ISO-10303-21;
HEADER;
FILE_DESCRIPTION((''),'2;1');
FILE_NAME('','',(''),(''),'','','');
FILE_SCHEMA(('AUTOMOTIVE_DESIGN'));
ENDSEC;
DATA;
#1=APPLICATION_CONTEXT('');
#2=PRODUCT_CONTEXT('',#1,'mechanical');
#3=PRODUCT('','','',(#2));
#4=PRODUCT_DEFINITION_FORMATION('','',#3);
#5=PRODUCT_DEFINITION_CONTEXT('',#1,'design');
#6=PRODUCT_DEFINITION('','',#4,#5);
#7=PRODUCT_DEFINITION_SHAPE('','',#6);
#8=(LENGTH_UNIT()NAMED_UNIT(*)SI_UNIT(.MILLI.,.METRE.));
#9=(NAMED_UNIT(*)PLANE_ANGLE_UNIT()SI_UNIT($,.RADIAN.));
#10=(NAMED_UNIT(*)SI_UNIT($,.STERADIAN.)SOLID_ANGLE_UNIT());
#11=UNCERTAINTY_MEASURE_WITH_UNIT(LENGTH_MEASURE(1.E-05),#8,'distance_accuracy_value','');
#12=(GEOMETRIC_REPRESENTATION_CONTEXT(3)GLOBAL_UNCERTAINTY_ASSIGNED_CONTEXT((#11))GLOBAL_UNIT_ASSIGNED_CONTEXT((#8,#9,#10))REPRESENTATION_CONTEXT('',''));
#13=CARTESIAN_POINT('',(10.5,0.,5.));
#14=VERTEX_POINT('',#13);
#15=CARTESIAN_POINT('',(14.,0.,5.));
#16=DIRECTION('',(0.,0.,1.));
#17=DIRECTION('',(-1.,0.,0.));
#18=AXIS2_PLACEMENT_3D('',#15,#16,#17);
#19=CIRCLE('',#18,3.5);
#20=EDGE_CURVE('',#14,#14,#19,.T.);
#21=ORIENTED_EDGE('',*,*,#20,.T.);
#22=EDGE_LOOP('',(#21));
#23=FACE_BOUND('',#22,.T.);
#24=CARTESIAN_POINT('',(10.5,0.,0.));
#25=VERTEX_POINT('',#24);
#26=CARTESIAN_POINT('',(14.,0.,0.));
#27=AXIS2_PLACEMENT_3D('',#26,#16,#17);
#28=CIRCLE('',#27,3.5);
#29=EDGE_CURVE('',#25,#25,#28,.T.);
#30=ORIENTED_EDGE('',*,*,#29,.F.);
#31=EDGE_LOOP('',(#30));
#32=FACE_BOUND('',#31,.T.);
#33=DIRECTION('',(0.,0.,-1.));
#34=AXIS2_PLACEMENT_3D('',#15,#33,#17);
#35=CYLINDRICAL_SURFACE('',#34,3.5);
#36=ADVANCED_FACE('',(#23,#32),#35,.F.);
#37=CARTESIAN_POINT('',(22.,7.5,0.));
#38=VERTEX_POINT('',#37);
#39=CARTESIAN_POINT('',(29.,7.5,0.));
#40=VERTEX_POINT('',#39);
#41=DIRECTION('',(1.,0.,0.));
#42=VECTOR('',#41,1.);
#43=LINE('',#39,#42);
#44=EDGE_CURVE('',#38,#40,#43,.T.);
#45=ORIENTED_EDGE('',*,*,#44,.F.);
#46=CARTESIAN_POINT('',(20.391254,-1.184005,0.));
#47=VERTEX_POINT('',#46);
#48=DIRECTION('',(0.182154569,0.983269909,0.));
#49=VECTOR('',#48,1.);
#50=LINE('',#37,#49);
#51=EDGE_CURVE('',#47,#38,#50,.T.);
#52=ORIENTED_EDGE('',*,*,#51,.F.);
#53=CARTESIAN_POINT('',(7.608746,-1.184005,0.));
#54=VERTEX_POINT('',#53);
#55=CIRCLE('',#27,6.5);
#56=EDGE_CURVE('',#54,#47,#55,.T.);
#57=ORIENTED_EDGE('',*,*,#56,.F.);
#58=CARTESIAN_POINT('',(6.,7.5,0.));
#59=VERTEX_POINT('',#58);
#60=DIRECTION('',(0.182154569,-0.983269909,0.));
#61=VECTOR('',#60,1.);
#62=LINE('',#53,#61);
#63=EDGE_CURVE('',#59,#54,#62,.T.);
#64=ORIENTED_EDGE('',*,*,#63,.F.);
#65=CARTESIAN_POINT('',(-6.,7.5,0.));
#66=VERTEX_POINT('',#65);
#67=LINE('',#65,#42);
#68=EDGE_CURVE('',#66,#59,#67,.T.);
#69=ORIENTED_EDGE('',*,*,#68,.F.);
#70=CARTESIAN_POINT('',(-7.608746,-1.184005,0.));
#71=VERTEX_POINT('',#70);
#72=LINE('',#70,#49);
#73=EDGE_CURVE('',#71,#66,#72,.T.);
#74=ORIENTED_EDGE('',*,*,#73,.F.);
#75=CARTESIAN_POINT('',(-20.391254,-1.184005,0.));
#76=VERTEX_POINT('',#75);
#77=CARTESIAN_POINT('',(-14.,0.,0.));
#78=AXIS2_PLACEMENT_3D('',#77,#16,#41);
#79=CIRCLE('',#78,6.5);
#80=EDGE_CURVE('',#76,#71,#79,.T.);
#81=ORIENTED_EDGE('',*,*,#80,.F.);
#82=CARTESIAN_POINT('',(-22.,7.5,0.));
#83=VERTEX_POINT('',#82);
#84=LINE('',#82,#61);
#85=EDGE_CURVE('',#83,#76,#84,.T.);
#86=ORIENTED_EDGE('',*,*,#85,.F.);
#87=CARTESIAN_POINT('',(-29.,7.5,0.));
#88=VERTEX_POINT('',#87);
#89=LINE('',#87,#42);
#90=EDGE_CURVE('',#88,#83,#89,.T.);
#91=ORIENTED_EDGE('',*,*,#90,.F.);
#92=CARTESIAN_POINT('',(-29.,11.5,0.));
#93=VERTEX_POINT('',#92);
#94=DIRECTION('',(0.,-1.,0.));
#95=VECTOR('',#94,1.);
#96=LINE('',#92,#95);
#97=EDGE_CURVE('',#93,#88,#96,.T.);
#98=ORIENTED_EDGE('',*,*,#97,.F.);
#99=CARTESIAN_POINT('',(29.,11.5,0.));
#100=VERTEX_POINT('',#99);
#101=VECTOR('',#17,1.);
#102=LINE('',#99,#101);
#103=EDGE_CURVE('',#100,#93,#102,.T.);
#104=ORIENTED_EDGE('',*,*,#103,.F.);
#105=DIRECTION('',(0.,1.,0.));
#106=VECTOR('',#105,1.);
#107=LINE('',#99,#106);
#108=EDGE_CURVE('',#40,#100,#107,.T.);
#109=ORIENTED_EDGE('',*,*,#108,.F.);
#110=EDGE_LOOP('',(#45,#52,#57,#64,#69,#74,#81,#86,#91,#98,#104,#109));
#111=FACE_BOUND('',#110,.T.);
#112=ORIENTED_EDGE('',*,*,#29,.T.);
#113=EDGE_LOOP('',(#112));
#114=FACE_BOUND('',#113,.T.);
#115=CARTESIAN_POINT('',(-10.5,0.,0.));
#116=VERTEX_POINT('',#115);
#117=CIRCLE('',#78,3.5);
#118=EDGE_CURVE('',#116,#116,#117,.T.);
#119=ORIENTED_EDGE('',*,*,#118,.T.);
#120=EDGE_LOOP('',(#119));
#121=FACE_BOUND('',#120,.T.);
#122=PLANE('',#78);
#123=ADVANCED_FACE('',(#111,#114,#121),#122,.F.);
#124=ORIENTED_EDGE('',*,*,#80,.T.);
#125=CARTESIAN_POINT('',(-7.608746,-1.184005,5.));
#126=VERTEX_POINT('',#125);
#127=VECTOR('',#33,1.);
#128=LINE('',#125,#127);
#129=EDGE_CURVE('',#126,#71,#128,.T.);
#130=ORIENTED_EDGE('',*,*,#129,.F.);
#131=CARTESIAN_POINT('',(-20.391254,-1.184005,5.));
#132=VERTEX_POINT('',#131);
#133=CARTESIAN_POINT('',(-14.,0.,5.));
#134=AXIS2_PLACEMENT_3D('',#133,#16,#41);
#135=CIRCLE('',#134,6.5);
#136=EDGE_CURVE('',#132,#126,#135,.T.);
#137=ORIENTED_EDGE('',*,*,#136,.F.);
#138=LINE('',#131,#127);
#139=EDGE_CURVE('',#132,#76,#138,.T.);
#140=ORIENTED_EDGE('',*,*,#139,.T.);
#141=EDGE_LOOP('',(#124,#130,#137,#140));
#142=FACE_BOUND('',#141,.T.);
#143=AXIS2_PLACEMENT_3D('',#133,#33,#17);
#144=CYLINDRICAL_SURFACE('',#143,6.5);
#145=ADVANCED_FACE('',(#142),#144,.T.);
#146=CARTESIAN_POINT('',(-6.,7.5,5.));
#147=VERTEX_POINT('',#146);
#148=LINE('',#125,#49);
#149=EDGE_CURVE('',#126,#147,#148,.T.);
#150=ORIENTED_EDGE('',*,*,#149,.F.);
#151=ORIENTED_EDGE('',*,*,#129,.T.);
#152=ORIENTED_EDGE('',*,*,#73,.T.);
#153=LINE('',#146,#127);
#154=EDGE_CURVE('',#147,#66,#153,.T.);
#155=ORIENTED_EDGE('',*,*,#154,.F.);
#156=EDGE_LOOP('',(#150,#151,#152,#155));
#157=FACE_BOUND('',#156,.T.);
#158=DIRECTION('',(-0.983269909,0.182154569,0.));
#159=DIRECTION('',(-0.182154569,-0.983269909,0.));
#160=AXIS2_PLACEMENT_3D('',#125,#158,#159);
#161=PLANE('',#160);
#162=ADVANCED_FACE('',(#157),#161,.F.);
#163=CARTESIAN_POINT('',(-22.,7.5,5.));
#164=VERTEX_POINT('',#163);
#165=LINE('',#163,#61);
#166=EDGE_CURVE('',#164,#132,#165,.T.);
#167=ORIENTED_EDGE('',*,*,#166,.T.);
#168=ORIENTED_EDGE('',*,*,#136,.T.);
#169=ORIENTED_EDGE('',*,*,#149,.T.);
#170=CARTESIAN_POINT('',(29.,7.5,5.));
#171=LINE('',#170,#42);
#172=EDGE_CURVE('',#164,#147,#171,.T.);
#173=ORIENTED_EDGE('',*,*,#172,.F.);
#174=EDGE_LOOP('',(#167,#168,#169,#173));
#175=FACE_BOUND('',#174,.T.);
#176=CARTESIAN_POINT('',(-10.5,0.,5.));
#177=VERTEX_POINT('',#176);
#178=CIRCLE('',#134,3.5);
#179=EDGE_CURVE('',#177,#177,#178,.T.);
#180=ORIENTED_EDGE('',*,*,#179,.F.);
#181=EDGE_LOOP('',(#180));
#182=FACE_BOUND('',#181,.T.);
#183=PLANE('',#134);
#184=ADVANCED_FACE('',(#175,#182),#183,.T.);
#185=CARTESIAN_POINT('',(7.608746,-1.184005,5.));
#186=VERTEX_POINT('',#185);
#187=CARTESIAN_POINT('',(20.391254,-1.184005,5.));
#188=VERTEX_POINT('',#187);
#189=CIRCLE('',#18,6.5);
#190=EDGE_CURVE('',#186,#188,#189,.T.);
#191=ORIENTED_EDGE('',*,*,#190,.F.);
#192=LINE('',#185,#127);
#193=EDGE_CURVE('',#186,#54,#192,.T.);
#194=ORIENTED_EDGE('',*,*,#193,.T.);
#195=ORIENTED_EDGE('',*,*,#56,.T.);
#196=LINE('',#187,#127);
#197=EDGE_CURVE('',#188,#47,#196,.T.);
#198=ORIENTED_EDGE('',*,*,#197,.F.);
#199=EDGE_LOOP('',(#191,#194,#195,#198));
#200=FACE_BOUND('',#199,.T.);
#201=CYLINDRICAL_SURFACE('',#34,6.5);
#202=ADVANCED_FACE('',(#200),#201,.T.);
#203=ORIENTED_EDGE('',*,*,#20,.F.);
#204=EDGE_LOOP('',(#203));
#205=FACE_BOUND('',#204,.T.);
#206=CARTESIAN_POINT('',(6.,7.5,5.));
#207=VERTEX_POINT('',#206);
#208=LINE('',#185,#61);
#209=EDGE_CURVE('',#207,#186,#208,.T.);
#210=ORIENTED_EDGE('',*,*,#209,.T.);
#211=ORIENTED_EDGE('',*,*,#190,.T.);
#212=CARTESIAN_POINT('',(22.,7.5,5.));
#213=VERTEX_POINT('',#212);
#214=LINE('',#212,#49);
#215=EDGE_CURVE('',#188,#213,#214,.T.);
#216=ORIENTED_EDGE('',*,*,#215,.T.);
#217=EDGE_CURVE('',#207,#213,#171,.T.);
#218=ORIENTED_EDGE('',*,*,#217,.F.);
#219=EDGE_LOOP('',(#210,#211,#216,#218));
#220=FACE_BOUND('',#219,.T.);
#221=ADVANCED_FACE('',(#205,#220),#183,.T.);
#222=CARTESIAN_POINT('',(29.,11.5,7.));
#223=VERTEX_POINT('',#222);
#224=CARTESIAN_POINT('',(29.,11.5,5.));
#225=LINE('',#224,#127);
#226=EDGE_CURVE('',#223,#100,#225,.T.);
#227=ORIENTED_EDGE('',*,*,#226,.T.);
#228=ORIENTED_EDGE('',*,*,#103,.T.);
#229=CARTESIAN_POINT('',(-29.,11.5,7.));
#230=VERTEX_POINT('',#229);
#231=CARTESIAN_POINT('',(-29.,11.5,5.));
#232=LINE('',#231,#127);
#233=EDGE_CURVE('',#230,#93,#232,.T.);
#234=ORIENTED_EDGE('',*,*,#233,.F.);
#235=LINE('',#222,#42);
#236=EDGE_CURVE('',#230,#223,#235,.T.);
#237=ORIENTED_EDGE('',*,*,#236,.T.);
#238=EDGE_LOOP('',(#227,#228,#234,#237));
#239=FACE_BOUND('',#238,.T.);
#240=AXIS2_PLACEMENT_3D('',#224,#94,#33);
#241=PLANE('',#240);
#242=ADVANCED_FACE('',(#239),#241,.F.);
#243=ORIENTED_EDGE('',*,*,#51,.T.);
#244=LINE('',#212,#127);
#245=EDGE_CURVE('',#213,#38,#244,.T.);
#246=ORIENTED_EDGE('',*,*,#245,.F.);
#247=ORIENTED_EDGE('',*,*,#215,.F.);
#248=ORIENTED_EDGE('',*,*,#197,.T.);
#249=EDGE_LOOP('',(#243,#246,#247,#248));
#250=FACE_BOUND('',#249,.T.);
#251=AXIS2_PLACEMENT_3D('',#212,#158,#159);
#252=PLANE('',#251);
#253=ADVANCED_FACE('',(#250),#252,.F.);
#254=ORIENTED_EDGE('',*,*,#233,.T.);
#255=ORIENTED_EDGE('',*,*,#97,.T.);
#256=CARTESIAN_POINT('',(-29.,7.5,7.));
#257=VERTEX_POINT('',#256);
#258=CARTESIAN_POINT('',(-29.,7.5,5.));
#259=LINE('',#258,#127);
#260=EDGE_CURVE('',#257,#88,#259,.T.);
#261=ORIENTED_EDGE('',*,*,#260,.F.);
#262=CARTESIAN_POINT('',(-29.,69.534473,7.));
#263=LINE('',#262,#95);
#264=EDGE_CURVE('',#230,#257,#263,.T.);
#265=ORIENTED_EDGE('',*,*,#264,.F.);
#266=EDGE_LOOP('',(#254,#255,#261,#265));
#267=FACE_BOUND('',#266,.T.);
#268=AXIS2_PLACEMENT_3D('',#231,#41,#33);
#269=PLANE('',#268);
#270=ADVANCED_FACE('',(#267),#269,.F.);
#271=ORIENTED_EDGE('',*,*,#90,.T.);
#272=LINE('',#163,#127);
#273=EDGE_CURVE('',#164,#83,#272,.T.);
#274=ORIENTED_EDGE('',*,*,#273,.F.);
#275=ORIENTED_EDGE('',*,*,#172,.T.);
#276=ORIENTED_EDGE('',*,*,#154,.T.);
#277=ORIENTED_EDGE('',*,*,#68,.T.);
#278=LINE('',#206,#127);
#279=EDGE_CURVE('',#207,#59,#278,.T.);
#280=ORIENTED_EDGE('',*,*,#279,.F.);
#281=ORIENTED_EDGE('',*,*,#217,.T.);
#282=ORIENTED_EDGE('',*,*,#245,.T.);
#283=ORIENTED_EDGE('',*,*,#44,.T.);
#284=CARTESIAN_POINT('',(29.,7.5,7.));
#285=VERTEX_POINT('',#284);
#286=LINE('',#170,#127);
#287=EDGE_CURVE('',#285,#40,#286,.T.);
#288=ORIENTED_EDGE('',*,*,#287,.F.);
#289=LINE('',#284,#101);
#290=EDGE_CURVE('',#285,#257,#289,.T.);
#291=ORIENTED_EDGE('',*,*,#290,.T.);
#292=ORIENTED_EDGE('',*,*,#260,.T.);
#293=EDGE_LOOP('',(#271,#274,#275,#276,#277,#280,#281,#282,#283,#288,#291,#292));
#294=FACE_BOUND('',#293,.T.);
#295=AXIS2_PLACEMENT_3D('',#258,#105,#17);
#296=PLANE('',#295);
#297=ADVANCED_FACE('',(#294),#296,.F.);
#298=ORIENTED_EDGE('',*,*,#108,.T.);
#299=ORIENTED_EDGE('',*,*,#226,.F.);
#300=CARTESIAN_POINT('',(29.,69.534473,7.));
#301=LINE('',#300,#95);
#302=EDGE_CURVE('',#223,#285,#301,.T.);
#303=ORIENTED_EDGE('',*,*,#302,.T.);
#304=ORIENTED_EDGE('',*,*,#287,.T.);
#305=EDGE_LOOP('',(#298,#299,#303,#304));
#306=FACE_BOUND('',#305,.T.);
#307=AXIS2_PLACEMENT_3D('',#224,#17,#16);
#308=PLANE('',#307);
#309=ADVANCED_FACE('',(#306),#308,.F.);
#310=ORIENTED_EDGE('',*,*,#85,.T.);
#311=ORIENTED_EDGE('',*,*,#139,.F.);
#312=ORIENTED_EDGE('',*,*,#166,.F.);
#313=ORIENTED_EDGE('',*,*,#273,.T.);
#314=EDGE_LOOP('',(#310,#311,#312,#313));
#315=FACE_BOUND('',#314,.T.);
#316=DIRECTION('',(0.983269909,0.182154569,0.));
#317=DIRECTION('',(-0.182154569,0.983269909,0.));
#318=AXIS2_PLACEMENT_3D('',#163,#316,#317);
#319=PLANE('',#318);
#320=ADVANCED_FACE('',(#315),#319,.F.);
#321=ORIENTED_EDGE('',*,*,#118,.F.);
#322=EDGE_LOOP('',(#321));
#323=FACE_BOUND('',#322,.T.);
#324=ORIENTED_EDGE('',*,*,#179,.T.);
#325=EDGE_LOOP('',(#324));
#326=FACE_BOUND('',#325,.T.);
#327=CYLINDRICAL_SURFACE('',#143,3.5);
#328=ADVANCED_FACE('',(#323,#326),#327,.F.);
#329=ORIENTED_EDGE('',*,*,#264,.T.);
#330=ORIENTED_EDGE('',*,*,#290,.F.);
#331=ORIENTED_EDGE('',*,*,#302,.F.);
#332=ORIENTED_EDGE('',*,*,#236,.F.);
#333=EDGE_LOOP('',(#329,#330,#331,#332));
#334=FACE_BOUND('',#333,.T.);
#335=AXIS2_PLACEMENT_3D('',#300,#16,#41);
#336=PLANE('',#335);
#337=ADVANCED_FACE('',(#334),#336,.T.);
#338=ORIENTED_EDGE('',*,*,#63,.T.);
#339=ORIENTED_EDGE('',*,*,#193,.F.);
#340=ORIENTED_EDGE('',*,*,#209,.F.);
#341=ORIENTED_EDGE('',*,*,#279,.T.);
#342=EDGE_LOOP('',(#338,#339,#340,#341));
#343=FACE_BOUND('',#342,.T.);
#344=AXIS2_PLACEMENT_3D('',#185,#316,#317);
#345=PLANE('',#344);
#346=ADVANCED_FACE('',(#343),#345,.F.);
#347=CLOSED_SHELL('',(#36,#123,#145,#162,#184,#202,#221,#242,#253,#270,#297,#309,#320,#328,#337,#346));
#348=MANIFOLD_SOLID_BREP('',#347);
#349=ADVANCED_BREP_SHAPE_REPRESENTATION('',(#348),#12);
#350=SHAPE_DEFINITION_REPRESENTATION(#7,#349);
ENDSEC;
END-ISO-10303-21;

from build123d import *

# Parameters (mm, degrees)
SKETCH_1_R      = 3.5
EXTRUDE_1_DEPTH = 5
SKETCH_2_W      = 58
SKETCH_2_H      = 2
EXTRUDE_2_DEPTH = 4


with BuildPart() as part:
    # 草图1 → 凸台-拉伸1 (new body)
    with BuildSketch(Plane.XY):
        with BuildLine():
            Line((-7.608745595, -1.184004699), (-6, 7.5))
            Line((-6, 7.5), (6, 7.5))
            Line((6, 7.5), (7.608745595, -1.184004699))
            ThreePointArc((7.608745595, -1.184004699), (14, -6.5), (20.391254405, -1.184004699))
            Line((20.391254405, -1.184004699), (22, 7.5))
            Line((22, 7.5), (29, 7.5))
            Line((29, 7.5), (29, 11.5))
            Line((29, 11.5), (-29, 11.5))
            Line((-29, 11.5), (-29, 7.5))
            Line((-29, 7.5), (-22, 7.5))
            Line((-22, 7.5), (-20.391254405, -1.184004699))
            ThreePointArc((-20.391254405, -1.184004699), (-14, -6.5), (-7.608745595, -1.184004699))
        make_face()
        with Locations((-14, 0)):
            Circle(SKETCH_1_R, mode=Mode.SUBTRACT)
        with Locations((14, 0)):
            Circle(SKETCH_1_R, mode=Mode.SUBTRACT)
    extrude(amount=EXTRUDE_1_DEPTH)

    # 草图2 → 凸台-拉伸2 (add)
    with BuildSketch(Plane.XZ.offset(-7.5)):
        with Locations((0, 6)):
            Rectangle(SKETCH_2_W, SKETCH_2_H)
    extrude(amount=-EXTRUDE_2_DEPTH)


solid = part.part
